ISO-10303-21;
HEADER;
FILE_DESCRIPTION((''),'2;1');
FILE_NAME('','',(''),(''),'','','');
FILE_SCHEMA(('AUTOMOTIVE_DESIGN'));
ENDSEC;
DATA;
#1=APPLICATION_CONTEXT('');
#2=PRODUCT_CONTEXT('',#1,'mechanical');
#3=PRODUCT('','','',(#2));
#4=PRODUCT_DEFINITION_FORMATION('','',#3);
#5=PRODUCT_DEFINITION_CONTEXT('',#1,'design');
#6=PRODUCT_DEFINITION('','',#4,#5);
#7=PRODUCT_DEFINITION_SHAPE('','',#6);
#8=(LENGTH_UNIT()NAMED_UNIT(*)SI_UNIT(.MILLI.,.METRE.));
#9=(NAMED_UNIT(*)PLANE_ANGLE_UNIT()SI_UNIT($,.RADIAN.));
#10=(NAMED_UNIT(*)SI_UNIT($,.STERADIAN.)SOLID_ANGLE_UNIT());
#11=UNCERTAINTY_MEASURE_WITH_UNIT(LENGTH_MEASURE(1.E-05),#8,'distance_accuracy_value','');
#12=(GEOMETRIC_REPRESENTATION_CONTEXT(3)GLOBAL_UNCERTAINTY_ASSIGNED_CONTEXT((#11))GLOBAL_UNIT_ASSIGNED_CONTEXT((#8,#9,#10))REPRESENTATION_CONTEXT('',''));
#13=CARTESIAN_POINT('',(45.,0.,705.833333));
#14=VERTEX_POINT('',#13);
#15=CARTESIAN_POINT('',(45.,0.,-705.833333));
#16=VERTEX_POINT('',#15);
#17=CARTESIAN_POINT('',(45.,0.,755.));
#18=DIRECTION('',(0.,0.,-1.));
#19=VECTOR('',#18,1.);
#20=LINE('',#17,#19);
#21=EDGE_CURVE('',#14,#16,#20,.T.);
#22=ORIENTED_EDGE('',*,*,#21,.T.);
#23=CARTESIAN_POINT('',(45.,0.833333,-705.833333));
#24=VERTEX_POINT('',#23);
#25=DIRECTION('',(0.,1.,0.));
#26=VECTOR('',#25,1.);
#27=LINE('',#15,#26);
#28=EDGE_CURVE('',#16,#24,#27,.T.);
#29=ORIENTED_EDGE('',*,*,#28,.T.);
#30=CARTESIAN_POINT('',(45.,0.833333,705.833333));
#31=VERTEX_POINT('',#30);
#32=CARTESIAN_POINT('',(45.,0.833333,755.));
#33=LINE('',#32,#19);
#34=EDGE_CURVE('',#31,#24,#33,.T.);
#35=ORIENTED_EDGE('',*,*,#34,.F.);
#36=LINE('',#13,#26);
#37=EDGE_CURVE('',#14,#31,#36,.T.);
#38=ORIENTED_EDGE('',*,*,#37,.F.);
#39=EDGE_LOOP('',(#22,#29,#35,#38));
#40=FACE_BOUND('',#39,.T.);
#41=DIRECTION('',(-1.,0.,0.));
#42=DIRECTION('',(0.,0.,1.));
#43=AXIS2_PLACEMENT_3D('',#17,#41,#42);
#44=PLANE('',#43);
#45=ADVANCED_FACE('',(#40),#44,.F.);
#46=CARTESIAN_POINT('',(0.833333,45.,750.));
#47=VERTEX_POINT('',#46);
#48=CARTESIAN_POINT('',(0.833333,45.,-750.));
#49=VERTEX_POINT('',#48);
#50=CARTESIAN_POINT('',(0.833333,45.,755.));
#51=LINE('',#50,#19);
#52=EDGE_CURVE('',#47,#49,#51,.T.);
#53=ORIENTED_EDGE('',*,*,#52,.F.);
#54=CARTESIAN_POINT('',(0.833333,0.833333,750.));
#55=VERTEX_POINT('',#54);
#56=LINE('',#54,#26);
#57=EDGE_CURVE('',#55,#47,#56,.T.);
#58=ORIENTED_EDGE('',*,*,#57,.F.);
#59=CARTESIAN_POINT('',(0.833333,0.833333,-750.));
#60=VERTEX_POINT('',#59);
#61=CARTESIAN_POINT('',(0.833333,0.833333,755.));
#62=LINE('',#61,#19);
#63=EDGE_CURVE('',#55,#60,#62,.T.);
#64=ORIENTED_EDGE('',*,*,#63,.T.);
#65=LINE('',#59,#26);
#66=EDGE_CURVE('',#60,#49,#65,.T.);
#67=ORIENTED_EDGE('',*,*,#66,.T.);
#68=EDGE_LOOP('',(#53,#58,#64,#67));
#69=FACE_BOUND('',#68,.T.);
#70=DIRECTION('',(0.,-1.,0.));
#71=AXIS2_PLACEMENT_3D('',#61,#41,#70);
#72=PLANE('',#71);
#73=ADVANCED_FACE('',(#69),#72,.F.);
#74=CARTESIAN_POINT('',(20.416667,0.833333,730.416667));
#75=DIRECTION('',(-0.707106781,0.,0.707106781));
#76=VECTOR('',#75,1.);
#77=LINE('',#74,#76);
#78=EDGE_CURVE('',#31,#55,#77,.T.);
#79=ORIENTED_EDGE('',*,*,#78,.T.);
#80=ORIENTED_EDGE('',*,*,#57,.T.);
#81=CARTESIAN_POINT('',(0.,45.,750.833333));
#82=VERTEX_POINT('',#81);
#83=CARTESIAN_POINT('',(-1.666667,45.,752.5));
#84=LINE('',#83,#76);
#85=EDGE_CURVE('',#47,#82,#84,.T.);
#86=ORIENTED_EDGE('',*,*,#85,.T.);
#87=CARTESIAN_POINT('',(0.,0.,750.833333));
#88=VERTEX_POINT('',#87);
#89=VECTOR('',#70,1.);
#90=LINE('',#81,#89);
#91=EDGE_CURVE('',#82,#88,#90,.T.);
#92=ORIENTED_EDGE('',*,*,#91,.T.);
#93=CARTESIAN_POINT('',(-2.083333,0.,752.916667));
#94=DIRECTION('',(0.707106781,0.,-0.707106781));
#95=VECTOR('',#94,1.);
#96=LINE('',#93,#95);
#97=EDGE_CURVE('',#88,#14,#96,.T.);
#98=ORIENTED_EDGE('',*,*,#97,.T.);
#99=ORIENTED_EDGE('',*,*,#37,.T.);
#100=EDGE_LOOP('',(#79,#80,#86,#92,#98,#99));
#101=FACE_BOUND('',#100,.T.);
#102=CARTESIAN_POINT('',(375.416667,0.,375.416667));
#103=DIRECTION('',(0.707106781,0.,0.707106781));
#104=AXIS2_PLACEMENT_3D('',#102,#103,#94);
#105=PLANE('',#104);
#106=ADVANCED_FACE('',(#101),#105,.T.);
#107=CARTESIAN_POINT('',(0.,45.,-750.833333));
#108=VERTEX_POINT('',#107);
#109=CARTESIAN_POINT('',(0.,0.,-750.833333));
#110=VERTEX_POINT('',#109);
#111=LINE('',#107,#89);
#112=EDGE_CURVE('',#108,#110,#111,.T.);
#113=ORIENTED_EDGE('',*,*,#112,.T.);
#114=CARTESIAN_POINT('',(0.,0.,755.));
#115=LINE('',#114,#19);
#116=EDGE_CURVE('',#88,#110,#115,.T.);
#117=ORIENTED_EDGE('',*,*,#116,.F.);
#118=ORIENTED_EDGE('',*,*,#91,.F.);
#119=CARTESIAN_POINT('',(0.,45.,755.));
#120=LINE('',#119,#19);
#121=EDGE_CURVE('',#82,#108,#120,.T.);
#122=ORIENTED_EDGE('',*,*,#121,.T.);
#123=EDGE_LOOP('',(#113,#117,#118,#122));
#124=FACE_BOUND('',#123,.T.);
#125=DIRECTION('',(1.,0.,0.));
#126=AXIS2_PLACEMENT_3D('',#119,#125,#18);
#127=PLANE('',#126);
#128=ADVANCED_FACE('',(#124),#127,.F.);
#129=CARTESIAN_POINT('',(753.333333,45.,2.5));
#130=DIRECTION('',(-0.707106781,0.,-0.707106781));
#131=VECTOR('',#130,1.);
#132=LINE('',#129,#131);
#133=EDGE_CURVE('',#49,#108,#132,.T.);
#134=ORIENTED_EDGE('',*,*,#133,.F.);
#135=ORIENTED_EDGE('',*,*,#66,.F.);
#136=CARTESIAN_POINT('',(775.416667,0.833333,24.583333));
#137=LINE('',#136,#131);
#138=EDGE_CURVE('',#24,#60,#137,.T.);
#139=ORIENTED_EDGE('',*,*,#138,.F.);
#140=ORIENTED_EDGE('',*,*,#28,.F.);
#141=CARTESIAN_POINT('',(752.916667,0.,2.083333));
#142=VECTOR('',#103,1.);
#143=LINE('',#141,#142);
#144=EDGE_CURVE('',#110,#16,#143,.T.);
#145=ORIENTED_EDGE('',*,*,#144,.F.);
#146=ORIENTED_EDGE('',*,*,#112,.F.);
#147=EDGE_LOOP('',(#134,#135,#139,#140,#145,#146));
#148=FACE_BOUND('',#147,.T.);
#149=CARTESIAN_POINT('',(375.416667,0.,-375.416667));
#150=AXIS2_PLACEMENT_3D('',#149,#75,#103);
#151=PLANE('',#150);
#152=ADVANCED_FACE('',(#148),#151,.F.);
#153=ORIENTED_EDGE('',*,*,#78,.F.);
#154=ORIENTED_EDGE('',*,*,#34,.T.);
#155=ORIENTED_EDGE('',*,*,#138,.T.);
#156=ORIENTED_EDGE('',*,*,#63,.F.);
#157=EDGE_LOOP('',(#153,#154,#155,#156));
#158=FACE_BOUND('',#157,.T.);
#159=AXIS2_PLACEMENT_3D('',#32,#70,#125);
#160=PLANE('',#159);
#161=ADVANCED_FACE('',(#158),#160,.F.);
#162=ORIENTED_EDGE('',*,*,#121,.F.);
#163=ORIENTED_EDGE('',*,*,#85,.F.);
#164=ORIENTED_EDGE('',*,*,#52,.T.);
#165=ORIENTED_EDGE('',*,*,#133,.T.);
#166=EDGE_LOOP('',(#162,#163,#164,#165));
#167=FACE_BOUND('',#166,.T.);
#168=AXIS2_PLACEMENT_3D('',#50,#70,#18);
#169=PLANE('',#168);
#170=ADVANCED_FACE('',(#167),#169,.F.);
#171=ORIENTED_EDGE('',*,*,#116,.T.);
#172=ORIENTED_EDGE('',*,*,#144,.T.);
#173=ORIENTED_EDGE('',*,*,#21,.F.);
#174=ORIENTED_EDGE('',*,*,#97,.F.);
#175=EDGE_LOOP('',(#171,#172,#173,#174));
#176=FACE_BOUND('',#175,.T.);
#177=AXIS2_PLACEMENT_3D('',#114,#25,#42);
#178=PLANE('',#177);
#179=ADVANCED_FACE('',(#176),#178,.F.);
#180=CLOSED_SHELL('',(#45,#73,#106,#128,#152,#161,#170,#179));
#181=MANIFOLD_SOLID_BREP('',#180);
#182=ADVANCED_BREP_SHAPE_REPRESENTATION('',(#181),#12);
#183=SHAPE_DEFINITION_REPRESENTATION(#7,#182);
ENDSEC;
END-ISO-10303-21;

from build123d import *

# Parameters (mm, degrees)
BOSS_EXTRUDE1_DEPTH = 755


with BuildPart() as part:
    # Sketch1 → Boss-Extrude1 (new, symmetric)
    with BuildSketch(Plane.XY):
        Polygon((0, 45), (0, 0), (45, 0), (45, 0.833333333), (0.833333333, 0.833333333), (0.833333333, 45), align=None)
    extrude(amount=BOSS_EXTRUDE1_DEPTH, both=True)

    # SurfaceCut1
    split(bisect_by=Plane(origin=(375.416666667, 0, -375.416666667), x_dir=(0.7071067811865482, 0, 0.7071067811865468), z_dir=(-0.7071067811865468, 0, 0.7071067811865482)), keep=Keep.TOP)

    # SurfaceCut2
    split(bisect_by=Plane(origin=(375.416666667, 0, 375.416666667), x_dir=(0.7071067811865482, 0, -0.7071067811865468), z_dir=(0.7071067811865468, 0, 0.7071067811865482)), keep=Keep.BOTTOM)


solid = part.part
